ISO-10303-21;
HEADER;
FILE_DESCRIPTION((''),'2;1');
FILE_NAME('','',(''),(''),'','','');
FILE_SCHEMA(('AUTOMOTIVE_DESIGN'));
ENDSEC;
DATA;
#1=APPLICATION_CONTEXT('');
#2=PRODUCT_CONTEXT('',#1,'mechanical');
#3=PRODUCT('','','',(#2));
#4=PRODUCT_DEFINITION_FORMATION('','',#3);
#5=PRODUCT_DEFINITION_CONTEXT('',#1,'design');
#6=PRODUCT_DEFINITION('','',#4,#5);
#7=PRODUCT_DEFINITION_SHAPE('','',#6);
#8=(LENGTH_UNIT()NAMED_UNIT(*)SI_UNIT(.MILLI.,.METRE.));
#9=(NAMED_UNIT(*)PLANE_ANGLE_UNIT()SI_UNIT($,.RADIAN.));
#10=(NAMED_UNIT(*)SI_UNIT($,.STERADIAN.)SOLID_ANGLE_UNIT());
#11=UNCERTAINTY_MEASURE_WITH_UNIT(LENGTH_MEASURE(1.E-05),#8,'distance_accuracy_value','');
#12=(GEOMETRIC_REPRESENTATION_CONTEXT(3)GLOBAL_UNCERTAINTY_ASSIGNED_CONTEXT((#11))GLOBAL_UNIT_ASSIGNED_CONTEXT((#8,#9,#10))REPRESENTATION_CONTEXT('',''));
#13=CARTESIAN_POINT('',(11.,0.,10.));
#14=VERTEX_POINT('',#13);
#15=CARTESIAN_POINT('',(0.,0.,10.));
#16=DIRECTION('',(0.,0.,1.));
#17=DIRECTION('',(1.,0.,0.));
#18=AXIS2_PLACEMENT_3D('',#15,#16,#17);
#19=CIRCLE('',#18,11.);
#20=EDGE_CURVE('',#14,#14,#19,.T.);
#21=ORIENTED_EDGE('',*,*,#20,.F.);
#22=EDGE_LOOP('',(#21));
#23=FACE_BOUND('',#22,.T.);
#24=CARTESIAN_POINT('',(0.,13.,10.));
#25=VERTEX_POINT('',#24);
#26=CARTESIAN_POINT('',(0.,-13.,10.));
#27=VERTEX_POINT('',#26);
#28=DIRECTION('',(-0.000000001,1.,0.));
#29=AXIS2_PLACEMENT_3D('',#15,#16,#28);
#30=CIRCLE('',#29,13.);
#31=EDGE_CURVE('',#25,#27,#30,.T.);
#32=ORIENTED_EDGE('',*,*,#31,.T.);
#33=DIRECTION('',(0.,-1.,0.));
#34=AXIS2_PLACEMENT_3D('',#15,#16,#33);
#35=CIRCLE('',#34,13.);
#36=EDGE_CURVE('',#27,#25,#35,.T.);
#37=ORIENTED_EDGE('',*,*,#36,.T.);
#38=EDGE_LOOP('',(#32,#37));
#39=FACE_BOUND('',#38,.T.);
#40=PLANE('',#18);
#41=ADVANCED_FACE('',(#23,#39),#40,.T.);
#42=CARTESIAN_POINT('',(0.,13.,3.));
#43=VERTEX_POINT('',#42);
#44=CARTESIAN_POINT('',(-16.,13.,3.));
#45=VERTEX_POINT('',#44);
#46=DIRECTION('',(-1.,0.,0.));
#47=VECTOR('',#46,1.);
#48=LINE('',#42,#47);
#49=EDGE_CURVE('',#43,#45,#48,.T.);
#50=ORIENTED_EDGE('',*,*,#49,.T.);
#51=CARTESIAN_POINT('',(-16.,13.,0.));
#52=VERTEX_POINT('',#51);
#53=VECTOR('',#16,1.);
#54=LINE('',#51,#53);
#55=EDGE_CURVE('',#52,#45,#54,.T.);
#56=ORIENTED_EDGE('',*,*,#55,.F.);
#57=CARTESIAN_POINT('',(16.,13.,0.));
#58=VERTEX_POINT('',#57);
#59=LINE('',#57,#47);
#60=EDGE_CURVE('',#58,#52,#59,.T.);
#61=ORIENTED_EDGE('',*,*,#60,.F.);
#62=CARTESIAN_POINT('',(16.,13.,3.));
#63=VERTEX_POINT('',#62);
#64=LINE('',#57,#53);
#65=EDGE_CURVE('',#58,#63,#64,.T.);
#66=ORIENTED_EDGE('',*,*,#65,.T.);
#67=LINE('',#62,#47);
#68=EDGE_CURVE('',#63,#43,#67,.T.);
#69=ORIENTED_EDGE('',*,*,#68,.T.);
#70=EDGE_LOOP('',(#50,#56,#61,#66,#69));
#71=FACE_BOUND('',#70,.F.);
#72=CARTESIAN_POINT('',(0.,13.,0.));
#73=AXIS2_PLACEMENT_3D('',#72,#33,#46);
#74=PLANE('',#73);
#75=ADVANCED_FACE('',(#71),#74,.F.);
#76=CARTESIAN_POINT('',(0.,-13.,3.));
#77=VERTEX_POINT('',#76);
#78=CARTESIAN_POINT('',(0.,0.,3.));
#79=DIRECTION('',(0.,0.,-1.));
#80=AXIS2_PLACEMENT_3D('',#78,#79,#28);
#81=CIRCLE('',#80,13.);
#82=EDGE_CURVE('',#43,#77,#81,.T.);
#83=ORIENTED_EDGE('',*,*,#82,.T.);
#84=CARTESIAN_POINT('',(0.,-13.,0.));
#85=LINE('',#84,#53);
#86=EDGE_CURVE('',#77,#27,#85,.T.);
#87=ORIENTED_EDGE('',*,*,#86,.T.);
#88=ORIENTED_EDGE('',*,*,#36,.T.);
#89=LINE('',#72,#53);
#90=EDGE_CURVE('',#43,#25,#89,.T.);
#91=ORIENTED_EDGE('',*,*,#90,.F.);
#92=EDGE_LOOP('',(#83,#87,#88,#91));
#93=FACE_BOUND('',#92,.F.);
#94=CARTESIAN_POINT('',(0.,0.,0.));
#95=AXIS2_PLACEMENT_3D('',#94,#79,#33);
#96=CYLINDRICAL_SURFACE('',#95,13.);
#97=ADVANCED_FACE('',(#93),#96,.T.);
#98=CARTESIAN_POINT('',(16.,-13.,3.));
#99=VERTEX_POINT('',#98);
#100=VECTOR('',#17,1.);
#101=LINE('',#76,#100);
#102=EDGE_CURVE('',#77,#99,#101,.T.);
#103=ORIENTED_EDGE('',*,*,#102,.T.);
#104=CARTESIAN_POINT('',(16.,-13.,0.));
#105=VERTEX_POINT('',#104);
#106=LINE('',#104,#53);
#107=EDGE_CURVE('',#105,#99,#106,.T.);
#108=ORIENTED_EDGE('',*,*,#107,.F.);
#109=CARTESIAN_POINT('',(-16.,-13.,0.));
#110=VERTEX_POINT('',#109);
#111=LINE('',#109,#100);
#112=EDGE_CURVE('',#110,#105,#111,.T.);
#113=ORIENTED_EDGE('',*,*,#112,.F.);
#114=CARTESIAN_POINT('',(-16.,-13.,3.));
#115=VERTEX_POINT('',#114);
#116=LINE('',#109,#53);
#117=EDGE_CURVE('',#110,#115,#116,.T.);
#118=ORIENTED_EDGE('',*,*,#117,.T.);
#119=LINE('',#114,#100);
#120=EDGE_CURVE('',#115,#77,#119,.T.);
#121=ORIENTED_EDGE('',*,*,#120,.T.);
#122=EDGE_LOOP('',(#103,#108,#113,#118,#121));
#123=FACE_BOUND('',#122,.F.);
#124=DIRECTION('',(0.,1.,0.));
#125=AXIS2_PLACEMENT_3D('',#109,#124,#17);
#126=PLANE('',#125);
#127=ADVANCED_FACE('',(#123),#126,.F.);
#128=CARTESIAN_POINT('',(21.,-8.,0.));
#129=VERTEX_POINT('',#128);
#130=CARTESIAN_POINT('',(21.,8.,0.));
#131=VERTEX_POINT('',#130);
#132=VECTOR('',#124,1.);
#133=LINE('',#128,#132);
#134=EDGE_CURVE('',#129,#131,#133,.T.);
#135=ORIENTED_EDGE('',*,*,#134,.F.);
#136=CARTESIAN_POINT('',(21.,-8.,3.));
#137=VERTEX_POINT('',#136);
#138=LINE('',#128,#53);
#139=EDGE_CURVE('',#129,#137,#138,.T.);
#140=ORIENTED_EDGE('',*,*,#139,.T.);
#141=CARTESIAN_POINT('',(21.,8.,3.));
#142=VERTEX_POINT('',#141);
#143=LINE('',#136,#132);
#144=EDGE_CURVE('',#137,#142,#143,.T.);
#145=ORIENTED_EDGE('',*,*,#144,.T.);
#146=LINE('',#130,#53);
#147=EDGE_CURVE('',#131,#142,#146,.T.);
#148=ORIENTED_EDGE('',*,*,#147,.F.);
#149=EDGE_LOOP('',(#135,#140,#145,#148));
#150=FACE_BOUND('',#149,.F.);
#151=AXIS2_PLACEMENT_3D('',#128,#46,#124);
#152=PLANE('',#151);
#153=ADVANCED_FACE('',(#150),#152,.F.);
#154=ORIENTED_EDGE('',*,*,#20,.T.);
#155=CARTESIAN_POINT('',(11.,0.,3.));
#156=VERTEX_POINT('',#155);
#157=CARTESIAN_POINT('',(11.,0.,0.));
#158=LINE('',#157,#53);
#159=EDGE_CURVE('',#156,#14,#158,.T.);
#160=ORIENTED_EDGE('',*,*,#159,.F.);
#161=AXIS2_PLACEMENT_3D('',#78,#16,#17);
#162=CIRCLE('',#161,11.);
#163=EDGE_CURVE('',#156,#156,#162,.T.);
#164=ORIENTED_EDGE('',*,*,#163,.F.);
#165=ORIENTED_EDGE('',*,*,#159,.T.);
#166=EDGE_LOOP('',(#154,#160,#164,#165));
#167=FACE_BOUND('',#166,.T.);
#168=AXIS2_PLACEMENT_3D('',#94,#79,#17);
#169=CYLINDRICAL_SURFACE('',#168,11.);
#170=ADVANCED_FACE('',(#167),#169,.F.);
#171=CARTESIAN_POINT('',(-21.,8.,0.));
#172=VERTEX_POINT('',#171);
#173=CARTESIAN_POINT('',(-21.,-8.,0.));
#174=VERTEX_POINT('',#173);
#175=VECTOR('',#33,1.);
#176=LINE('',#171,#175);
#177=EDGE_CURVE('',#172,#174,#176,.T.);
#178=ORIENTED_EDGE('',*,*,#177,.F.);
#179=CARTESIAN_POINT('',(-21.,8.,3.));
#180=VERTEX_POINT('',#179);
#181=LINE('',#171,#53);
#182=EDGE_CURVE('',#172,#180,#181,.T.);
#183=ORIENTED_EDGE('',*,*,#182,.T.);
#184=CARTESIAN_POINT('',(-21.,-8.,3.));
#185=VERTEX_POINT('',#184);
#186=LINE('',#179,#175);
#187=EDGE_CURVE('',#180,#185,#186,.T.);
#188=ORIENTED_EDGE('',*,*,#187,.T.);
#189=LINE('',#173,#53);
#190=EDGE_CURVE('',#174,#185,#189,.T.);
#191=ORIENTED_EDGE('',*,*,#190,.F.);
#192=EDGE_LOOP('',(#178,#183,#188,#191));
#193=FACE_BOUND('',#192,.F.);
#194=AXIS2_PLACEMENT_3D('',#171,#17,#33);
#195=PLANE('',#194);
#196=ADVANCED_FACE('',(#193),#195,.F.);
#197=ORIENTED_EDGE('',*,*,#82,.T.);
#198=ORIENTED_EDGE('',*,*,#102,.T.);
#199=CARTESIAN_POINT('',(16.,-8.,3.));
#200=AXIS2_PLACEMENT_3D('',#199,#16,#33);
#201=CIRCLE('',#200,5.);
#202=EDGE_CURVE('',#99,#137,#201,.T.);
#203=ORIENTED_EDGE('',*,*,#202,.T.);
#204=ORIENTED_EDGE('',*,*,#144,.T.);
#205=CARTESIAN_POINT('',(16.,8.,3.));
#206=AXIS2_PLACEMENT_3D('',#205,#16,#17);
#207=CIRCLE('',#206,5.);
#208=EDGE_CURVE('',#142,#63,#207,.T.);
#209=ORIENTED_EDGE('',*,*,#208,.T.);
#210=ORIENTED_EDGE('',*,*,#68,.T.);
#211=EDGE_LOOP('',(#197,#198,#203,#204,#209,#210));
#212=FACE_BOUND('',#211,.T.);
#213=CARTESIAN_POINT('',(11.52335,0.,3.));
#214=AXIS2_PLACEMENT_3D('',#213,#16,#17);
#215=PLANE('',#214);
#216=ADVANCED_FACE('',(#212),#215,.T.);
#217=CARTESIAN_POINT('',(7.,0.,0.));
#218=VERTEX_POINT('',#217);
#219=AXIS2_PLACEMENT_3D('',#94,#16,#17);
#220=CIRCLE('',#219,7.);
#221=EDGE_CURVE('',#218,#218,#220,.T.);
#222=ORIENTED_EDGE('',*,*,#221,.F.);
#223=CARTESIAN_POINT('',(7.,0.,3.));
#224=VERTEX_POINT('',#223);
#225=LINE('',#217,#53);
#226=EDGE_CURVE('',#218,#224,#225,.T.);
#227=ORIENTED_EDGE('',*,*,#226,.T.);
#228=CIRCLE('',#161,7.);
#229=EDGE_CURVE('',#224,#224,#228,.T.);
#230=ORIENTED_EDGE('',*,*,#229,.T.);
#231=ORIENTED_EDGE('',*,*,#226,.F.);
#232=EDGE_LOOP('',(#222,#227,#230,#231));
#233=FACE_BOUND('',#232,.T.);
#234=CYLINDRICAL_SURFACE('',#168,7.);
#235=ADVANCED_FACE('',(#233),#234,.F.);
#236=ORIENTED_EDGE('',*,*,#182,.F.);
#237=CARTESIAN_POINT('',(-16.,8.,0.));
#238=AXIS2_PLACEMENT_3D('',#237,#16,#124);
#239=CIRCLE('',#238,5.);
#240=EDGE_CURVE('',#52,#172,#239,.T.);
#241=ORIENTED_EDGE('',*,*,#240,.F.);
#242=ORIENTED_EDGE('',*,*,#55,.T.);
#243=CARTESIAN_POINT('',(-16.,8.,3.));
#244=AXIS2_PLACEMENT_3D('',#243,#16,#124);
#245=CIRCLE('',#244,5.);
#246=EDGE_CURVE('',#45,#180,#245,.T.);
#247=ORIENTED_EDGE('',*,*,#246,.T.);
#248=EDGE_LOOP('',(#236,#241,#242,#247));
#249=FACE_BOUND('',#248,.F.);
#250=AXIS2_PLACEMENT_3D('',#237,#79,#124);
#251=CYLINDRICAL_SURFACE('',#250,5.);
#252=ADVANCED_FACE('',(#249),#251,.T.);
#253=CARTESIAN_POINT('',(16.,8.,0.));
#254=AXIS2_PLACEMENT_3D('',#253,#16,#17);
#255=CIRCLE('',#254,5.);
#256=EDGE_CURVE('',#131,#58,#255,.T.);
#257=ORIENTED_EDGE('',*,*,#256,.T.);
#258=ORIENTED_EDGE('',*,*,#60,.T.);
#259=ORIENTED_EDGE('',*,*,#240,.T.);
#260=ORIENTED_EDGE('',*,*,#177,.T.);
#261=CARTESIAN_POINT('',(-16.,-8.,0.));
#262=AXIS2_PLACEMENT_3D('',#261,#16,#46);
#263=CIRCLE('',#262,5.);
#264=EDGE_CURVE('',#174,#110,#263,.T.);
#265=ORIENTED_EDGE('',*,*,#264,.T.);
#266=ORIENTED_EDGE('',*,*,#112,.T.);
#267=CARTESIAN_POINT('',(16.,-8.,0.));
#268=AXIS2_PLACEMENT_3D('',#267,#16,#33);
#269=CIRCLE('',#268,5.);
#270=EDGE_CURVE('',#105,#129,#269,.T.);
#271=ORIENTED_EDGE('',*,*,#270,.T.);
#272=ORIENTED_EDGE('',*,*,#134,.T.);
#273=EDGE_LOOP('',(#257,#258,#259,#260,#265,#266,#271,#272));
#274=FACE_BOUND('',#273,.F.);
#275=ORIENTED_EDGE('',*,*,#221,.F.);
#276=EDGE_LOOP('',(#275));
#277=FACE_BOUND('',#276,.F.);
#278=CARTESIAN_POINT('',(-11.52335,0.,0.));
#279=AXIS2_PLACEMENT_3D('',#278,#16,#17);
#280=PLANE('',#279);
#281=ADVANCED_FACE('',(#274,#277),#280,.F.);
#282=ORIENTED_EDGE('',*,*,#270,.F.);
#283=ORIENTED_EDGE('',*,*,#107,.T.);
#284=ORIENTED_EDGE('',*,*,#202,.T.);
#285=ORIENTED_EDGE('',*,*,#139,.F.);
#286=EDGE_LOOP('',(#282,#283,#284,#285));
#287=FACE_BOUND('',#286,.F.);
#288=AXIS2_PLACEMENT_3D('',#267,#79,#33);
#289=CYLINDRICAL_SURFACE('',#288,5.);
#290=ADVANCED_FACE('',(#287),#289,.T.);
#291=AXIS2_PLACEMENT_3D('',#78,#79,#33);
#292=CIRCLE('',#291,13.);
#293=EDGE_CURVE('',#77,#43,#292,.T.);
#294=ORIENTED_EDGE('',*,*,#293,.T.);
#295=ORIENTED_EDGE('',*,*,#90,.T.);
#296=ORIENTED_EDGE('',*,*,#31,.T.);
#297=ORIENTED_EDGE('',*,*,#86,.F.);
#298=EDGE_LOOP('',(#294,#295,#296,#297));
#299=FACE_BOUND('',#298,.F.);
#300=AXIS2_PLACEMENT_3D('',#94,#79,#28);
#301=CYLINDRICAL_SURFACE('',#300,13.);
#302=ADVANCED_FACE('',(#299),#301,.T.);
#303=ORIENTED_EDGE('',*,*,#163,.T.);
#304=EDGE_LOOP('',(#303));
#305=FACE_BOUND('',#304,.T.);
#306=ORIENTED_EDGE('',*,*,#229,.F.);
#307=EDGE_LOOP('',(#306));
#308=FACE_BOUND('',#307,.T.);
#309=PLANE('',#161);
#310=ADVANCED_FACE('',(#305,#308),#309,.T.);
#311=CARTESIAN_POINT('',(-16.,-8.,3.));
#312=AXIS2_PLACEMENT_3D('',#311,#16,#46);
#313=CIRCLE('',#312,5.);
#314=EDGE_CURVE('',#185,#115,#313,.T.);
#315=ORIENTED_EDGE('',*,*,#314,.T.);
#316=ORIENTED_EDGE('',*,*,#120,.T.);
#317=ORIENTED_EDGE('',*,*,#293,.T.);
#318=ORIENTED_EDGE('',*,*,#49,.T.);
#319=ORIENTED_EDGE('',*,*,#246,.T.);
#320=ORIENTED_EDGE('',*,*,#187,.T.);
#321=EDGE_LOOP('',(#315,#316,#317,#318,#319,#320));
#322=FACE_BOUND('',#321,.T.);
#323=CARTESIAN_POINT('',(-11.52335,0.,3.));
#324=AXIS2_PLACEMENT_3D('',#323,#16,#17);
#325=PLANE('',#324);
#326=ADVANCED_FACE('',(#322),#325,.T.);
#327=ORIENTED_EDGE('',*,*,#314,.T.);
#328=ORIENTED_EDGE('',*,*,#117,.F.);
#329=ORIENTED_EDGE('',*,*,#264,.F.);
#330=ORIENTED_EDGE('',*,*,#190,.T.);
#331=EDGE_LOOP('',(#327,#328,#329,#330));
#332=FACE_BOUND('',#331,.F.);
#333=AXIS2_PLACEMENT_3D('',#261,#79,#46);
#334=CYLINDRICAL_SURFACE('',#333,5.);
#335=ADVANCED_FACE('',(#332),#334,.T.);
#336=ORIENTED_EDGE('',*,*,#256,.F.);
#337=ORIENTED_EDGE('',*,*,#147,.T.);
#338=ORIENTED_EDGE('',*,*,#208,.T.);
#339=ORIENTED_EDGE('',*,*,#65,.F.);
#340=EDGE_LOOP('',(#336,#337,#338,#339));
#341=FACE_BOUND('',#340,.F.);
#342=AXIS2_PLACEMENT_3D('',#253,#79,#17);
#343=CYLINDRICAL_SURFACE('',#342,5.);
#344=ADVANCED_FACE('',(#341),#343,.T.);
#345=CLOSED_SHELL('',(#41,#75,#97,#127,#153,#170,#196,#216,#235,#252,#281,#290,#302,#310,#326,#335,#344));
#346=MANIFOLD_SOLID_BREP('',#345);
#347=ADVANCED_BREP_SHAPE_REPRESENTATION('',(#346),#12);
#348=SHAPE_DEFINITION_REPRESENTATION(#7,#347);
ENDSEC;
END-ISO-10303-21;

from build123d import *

# Parameters (mm, degrees)
F1_DEPTH = 3
F0_R     = 11
F0_R_2   = 7
F2_DEPTH = 10


with BuildPart() as f1:
    # F0 (on Top) → F1 (new body)
    with BuildSketch(Plane.XY):
        with BuildLine():
            ThreePointArc((21, 8), (19.5355339059, 11.5355339059), (16, 13))
            Line((16, 13), (-1.88e-08, 13))
            ThreePointArc((-1.88e-08, 13), (9.1923881488, 9.1923881621), (13, 0))
            ThreePointArc((13, 0), (9.1923881554, -9.1923881554), (0, -13))
            Line((0, -13), (16, -13))
            ThreePointArc((16, -13), (19.5355339059, -11.5355339059), (21, -8))
            Line((21, -8), (21, 8))
        make_face()
    extrude(amount=F1_DEPTH)



with BuildPart() as f1b:
    # F0 (on Top) → F1, piece 2 (new body)
    with BuildSketch(Plane.XY):
        with BuildLine():
            ThreePointArc((0, -13), (-13, -9.4e-09), (-1.88e-08, 13))
            Line((-1.88e-08, 13), (-16, 13))
            ThreePointArc((-16, 13), (-19.5355339059, 11.5355339059), (-21, 8))
            Line((-21, 8), (-21, -8))
            ThreePointArc((-21, -8), (-19.5355339059, -11.5355339059), (-16, -13))
            Line((-16, -13), (0, -13))
        make_face()
    extrude(amount=F1_DEPTH)


with BuildPart() as f1c:
    # F0 (on Top) → F1, piece 3 (new body)
    with BuildSketch(Plane.XY):
        Circle(F0_R)
        Circle(F0_R_2, mode=Mode.SUBTRACT)
    extrude(amount=F1_DEPTH)


with BuildPart() as f1_1:
    add(f1.part)

    add(f1b.part)  # F2 merges F1b

    add(f1c.part)  # F2 merges F1c
    # F0 (on Top) → F2 (join)
    with BuildSketch(Plane.XY):
        with BuildLine():
            ThreePointArc((13, 0), (9.1923881488, 9.1923881621), (-1.88e-08, 13))
            ThreePointArc((-1.88e-08, 13), (-13, -9.4e-09), (0, -13))
            ThreePointArc((0, -13), (9.1923881554, -9.1923881554), (13, 0))
        make_face()
        Circle(F0_R, mode=Mode.SUBTRACT)
    extrude(amount=F2_DEPTH)


solid = f1_1.part
